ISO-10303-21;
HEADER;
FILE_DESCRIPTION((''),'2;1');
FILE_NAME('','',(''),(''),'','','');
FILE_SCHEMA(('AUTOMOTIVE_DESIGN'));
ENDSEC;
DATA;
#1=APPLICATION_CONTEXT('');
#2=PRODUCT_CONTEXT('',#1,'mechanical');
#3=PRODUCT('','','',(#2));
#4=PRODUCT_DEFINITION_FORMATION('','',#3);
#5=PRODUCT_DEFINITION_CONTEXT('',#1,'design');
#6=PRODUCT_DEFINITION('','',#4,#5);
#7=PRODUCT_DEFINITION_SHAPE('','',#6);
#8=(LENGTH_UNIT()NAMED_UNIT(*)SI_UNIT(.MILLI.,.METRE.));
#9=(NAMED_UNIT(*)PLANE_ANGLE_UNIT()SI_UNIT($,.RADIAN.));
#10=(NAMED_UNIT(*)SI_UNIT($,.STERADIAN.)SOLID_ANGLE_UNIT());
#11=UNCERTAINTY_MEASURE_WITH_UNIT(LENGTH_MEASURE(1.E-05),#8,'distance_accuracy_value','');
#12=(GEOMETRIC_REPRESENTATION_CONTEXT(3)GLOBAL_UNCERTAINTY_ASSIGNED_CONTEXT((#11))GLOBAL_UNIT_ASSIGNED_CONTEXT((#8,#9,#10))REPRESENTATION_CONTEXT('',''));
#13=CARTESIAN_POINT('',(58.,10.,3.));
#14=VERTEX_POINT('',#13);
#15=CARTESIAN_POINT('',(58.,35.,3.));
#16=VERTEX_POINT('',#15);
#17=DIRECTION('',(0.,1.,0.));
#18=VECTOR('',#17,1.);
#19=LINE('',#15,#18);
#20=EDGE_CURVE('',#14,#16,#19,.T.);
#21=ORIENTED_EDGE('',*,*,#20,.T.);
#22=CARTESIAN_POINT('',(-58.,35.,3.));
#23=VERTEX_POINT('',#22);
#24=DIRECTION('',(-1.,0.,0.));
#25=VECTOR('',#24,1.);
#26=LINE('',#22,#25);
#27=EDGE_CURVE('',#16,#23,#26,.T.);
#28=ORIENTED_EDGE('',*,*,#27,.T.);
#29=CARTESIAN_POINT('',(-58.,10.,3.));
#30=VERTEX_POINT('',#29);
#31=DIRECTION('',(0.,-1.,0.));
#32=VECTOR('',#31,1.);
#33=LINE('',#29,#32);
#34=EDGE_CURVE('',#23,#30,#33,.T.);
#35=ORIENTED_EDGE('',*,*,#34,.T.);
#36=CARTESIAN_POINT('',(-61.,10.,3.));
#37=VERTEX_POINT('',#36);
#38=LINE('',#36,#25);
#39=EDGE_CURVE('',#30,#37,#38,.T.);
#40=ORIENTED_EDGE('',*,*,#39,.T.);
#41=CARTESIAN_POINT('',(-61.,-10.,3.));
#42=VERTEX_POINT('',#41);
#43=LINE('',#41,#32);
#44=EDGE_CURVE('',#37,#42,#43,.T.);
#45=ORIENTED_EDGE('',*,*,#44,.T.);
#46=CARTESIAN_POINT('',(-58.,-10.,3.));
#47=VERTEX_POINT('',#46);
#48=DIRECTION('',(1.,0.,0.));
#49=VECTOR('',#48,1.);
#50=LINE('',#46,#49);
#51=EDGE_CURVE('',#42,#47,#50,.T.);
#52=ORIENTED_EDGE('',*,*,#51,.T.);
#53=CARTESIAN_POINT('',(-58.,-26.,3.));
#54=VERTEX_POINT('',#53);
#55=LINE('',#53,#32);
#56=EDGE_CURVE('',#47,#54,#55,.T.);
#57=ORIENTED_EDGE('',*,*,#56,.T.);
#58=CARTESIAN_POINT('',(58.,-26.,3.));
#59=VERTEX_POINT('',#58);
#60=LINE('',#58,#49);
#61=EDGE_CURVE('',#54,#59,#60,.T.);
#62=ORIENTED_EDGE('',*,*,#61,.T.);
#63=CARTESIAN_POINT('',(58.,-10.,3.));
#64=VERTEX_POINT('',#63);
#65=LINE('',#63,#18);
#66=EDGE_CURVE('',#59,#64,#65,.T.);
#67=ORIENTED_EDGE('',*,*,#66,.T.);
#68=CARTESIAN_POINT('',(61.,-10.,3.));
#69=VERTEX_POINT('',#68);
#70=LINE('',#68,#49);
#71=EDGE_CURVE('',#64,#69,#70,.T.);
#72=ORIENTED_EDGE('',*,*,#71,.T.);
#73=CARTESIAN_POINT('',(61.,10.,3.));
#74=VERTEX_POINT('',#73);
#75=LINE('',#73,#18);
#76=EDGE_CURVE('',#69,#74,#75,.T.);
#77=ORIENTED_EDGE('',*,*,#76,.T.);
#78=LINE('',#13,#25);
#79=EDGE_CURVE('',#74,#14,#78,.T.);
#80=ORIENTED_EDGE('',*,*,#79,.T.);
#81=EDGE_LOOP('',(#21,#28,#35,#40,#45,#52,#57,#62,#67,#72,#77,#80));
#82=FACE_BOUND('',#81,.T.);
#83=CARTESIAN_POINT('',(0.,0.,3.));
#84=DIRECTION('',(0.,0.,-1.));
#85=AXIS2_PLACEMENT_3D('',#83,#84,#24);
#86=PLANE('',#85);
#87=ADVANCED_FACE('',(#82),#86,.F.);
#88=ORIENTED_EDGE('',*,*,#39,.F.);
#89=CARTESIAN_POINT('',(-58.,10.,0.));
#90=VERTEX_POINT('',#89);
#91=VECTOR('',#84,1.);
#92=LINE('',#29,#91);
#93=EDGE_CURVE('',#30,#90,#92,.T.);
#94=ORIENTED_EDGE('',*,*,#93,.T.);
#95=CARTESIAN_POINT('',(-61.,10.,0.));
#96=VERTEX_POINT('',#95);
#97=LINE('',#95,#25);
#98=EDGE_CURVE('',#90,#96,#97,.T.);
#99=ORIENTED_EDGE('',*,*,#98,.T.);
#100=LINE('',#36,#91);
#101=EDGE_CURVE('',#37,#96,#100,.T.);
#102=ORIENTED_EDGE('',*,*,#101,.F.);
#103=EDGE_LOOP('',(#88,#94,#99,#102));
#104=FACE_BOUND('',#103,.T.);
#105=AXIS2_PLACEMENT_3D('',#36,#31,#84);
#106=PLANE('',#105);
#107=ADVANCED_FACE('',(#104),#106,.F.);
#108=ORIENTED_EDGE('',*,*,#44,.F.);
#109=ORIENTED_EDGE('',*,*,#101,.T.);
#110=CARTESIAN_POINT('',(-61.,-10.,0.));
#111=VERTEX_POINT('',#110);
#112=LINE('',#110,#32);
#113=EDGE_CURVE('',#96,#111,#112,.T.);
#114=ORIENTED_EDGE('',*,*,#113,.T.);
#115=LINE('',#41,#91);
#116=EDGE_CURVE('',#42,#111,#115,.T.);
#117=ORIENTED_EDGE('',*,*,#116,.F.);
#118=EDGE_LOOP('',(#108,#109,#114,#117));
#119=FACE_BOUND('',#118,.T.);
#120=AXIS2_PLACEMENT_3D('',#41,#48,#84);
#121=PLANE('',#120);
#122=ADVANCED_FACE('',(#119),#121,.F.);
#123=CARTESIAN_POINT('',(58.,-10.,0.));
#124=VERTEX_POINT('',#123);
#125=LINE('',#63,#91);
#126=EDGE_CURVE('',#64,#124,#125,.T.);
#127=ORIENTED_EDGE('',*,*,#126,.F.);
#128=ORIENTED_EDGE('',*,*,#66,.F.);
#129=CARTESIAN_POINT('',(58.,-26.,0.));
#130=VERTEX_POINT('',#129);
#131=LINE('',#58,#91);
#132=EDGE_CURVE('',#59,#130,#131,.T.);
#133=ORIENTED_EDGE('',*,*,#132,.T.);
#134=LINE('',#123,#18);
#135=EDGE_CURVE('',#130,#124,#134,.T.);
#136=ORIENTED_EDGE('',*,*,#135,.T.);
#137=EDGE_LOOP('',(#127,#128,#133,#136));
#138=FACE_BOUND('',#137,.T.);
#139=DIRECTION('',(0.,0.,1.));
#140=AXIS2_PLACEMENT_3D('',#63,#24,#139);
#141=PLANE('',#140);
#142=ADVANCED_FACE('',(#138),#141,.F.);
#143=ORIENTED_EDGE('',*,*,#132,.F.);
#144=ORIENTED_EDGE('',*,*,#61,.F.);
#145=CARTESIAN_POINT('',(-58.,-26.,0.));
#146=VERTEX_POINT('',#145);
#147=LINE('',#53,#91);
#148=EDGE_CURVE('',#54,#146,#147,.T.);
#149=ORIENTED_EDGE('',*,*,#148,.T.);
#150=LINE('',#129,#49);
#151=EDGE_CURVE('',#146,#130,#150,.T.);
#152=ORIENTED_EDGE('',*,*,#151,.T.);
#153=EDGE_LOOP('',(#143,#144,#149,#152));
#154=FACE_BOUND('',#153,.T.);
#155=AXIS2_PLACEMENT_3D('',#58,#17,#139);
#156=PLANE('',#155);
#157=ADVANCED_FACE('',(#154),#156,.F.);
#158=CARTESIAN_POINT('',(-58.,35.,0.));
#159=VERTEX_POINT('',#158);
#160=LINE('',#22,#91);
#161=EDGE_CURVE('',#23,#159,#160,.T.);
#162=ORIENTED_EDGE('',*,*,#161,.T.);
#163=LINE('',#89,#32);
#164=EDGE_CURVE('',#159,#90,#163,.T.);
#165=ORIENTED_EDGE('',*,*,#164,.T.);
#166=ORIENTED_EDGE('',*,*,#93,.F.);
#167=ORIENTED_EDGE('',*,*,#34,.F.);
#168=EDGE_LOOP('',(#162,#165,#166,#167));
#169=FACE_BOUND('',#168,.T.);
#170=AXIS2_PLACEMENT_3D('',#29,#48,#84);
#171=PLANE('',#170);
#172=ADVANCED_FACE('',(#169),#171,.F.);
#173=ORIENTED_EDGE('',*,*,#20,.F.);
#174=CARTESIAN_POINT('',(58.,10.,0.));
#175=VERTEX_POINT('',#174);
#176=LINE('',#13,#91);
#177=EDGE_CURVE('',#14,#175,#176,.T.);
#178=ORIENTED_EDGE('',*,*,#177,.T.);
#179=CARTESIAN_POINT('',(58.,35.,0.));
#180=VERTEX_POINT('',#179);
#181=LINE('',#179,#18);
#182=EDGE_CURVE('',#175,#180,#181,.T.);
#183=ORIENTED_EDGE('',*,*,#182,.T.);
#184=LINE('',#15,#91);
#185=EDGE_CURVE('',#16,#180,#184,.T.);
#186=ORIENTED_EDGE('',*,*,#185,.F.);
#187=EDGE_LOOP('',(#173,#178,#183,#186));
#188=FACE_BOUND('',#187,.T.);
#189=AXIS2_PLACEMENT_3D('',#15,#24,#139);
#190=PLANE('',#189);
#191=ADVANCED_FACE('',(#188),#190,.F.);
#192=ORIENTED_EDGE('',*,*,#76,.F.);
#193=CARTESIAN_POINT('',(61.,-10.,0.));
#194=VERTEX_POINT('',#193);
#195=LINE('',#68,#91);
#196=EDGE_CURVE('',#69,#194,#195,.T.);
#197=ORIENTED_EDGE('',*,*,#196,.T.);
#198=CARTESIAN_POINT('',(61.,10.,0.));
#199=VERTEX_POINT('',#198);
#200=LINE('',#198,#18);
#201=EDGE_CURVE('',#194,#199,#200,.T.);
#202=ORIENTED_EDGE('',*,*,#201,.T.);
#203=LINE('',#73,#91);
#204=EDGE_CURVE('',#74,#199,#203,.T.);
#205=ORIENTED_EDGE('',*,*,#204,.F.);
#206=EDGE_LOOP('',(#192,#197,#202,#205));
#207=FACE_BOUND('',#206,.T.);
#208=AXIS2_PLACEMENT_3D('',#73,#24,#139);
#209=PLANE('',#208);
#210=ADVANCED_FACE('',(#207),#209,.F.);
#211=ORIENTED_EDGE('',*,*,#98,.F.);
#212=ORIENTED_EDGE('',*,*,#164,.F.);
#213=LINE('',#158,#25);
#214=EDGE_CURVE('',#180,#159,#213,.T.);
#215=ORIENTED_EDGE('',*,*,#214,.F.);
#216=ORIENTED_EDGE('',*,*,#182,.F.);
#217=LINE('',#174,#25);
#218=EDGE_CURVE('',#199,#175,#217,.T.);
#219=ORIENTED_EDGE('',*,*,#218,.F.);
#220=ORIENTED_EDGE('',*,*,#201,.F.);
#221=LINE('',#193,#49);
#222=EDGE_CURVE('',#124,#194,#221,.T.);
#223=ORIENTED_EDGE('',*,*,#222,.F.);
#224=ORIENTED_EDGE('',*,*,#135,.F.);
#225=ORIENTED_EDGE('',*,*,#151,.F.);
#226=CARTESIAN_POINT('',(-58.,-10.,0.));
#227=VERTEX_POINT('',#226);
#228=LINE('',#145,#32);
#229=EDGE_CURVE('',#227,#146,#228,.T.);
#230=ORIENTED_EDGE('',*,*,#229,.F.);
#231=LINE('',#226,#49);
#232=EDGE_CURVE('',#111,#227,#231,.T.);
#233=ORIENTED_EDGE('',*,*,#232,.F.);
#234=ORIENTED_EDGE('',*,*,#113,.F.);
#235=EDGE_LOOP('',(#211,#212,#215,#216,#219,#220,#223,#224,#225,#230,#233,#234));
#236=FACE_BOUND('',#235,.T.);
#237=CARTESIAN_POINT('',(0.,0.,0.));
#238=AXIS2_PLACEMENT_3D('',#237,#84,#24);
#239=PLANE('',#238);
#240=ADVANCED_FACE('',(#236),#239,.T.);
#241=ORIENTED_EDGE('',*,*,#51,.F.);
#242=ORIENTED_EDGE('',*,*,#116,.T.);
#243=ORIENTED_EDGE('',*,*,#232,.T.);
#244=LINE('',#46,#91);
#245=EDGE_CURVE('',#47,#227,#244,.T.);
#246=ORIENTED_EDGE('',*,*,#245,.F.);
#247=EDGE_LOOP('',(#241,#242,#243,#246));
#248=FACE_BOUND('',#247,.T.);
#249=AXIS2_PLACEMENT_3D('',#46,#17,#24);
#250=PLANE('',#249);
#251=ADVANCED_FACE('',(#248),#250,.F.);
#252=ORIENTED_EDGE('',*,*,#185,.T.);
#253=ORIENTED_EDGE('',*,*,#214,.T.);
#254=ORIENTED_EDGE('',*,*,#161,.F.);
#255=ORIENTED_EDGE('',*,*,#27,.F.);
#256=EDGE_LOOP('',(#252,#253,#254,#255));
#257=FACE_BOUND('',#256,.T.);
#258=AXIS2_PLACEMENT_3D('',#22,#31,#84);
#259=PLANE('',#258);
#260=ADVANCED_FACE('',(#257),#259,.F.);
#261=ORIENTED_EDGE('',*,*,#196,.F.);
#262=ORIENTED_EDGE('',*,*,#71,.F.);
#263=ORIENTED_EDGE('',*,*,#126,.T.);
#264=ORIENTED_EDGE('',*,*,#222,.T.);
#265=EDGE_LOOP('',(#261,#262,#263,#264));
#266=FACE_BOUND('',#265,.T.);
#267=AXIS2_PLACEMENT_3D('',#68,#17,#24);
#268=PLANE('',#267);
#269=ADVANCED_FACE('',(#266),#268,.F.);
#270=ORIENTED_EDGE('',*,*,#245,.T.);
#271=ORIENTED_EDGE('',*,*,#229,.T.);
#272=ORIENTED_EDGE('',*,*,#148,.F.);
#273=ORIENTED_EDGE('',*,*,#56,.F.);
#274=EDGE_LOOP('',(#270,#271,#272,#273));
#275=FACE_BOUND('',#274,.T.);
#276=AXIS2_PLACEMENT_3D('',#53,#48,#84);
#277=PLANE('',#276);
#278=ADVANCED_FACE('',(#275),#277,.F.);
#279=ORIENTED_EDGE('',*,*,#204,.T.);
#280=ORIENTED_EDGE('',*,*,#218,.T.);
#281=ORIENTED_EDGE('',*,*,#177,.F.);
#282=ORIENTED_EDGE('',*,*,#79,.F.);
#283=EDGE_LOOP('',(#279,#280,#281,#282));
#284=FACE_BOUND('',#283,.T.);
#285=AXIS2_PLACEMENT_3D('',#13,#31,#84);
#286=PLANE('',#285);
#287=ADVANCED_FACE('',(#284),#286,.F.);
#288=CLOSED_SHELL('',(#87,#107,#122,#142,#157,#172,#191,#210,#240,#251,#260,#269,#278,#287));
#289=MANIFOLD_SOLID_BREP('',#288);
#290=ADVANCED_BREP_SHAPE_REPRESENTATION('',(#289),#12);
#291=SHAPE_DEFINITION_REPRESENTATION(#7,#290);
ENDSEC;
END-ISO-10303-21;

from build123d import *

# Parameters (mm, degrees)
BOSS_EXTRUDE1_DEPTH = 3


with BuildPart() as part:
    # Sketch1 → Boss-Extrude1 (new body)
    with BuildSketch(Plane.XY):
        Polygon((-58, 35), (58, 35), (58, 10), (61, 10), (61, -10), (58, -10), (58, -26), (-58, -26), (-58, -10), (-61, -10), (-61, 10), (-58, 10), align=None)
    extrude(amount=BOSS_EXTRUDE1_DEPTH)


solid = part.part
